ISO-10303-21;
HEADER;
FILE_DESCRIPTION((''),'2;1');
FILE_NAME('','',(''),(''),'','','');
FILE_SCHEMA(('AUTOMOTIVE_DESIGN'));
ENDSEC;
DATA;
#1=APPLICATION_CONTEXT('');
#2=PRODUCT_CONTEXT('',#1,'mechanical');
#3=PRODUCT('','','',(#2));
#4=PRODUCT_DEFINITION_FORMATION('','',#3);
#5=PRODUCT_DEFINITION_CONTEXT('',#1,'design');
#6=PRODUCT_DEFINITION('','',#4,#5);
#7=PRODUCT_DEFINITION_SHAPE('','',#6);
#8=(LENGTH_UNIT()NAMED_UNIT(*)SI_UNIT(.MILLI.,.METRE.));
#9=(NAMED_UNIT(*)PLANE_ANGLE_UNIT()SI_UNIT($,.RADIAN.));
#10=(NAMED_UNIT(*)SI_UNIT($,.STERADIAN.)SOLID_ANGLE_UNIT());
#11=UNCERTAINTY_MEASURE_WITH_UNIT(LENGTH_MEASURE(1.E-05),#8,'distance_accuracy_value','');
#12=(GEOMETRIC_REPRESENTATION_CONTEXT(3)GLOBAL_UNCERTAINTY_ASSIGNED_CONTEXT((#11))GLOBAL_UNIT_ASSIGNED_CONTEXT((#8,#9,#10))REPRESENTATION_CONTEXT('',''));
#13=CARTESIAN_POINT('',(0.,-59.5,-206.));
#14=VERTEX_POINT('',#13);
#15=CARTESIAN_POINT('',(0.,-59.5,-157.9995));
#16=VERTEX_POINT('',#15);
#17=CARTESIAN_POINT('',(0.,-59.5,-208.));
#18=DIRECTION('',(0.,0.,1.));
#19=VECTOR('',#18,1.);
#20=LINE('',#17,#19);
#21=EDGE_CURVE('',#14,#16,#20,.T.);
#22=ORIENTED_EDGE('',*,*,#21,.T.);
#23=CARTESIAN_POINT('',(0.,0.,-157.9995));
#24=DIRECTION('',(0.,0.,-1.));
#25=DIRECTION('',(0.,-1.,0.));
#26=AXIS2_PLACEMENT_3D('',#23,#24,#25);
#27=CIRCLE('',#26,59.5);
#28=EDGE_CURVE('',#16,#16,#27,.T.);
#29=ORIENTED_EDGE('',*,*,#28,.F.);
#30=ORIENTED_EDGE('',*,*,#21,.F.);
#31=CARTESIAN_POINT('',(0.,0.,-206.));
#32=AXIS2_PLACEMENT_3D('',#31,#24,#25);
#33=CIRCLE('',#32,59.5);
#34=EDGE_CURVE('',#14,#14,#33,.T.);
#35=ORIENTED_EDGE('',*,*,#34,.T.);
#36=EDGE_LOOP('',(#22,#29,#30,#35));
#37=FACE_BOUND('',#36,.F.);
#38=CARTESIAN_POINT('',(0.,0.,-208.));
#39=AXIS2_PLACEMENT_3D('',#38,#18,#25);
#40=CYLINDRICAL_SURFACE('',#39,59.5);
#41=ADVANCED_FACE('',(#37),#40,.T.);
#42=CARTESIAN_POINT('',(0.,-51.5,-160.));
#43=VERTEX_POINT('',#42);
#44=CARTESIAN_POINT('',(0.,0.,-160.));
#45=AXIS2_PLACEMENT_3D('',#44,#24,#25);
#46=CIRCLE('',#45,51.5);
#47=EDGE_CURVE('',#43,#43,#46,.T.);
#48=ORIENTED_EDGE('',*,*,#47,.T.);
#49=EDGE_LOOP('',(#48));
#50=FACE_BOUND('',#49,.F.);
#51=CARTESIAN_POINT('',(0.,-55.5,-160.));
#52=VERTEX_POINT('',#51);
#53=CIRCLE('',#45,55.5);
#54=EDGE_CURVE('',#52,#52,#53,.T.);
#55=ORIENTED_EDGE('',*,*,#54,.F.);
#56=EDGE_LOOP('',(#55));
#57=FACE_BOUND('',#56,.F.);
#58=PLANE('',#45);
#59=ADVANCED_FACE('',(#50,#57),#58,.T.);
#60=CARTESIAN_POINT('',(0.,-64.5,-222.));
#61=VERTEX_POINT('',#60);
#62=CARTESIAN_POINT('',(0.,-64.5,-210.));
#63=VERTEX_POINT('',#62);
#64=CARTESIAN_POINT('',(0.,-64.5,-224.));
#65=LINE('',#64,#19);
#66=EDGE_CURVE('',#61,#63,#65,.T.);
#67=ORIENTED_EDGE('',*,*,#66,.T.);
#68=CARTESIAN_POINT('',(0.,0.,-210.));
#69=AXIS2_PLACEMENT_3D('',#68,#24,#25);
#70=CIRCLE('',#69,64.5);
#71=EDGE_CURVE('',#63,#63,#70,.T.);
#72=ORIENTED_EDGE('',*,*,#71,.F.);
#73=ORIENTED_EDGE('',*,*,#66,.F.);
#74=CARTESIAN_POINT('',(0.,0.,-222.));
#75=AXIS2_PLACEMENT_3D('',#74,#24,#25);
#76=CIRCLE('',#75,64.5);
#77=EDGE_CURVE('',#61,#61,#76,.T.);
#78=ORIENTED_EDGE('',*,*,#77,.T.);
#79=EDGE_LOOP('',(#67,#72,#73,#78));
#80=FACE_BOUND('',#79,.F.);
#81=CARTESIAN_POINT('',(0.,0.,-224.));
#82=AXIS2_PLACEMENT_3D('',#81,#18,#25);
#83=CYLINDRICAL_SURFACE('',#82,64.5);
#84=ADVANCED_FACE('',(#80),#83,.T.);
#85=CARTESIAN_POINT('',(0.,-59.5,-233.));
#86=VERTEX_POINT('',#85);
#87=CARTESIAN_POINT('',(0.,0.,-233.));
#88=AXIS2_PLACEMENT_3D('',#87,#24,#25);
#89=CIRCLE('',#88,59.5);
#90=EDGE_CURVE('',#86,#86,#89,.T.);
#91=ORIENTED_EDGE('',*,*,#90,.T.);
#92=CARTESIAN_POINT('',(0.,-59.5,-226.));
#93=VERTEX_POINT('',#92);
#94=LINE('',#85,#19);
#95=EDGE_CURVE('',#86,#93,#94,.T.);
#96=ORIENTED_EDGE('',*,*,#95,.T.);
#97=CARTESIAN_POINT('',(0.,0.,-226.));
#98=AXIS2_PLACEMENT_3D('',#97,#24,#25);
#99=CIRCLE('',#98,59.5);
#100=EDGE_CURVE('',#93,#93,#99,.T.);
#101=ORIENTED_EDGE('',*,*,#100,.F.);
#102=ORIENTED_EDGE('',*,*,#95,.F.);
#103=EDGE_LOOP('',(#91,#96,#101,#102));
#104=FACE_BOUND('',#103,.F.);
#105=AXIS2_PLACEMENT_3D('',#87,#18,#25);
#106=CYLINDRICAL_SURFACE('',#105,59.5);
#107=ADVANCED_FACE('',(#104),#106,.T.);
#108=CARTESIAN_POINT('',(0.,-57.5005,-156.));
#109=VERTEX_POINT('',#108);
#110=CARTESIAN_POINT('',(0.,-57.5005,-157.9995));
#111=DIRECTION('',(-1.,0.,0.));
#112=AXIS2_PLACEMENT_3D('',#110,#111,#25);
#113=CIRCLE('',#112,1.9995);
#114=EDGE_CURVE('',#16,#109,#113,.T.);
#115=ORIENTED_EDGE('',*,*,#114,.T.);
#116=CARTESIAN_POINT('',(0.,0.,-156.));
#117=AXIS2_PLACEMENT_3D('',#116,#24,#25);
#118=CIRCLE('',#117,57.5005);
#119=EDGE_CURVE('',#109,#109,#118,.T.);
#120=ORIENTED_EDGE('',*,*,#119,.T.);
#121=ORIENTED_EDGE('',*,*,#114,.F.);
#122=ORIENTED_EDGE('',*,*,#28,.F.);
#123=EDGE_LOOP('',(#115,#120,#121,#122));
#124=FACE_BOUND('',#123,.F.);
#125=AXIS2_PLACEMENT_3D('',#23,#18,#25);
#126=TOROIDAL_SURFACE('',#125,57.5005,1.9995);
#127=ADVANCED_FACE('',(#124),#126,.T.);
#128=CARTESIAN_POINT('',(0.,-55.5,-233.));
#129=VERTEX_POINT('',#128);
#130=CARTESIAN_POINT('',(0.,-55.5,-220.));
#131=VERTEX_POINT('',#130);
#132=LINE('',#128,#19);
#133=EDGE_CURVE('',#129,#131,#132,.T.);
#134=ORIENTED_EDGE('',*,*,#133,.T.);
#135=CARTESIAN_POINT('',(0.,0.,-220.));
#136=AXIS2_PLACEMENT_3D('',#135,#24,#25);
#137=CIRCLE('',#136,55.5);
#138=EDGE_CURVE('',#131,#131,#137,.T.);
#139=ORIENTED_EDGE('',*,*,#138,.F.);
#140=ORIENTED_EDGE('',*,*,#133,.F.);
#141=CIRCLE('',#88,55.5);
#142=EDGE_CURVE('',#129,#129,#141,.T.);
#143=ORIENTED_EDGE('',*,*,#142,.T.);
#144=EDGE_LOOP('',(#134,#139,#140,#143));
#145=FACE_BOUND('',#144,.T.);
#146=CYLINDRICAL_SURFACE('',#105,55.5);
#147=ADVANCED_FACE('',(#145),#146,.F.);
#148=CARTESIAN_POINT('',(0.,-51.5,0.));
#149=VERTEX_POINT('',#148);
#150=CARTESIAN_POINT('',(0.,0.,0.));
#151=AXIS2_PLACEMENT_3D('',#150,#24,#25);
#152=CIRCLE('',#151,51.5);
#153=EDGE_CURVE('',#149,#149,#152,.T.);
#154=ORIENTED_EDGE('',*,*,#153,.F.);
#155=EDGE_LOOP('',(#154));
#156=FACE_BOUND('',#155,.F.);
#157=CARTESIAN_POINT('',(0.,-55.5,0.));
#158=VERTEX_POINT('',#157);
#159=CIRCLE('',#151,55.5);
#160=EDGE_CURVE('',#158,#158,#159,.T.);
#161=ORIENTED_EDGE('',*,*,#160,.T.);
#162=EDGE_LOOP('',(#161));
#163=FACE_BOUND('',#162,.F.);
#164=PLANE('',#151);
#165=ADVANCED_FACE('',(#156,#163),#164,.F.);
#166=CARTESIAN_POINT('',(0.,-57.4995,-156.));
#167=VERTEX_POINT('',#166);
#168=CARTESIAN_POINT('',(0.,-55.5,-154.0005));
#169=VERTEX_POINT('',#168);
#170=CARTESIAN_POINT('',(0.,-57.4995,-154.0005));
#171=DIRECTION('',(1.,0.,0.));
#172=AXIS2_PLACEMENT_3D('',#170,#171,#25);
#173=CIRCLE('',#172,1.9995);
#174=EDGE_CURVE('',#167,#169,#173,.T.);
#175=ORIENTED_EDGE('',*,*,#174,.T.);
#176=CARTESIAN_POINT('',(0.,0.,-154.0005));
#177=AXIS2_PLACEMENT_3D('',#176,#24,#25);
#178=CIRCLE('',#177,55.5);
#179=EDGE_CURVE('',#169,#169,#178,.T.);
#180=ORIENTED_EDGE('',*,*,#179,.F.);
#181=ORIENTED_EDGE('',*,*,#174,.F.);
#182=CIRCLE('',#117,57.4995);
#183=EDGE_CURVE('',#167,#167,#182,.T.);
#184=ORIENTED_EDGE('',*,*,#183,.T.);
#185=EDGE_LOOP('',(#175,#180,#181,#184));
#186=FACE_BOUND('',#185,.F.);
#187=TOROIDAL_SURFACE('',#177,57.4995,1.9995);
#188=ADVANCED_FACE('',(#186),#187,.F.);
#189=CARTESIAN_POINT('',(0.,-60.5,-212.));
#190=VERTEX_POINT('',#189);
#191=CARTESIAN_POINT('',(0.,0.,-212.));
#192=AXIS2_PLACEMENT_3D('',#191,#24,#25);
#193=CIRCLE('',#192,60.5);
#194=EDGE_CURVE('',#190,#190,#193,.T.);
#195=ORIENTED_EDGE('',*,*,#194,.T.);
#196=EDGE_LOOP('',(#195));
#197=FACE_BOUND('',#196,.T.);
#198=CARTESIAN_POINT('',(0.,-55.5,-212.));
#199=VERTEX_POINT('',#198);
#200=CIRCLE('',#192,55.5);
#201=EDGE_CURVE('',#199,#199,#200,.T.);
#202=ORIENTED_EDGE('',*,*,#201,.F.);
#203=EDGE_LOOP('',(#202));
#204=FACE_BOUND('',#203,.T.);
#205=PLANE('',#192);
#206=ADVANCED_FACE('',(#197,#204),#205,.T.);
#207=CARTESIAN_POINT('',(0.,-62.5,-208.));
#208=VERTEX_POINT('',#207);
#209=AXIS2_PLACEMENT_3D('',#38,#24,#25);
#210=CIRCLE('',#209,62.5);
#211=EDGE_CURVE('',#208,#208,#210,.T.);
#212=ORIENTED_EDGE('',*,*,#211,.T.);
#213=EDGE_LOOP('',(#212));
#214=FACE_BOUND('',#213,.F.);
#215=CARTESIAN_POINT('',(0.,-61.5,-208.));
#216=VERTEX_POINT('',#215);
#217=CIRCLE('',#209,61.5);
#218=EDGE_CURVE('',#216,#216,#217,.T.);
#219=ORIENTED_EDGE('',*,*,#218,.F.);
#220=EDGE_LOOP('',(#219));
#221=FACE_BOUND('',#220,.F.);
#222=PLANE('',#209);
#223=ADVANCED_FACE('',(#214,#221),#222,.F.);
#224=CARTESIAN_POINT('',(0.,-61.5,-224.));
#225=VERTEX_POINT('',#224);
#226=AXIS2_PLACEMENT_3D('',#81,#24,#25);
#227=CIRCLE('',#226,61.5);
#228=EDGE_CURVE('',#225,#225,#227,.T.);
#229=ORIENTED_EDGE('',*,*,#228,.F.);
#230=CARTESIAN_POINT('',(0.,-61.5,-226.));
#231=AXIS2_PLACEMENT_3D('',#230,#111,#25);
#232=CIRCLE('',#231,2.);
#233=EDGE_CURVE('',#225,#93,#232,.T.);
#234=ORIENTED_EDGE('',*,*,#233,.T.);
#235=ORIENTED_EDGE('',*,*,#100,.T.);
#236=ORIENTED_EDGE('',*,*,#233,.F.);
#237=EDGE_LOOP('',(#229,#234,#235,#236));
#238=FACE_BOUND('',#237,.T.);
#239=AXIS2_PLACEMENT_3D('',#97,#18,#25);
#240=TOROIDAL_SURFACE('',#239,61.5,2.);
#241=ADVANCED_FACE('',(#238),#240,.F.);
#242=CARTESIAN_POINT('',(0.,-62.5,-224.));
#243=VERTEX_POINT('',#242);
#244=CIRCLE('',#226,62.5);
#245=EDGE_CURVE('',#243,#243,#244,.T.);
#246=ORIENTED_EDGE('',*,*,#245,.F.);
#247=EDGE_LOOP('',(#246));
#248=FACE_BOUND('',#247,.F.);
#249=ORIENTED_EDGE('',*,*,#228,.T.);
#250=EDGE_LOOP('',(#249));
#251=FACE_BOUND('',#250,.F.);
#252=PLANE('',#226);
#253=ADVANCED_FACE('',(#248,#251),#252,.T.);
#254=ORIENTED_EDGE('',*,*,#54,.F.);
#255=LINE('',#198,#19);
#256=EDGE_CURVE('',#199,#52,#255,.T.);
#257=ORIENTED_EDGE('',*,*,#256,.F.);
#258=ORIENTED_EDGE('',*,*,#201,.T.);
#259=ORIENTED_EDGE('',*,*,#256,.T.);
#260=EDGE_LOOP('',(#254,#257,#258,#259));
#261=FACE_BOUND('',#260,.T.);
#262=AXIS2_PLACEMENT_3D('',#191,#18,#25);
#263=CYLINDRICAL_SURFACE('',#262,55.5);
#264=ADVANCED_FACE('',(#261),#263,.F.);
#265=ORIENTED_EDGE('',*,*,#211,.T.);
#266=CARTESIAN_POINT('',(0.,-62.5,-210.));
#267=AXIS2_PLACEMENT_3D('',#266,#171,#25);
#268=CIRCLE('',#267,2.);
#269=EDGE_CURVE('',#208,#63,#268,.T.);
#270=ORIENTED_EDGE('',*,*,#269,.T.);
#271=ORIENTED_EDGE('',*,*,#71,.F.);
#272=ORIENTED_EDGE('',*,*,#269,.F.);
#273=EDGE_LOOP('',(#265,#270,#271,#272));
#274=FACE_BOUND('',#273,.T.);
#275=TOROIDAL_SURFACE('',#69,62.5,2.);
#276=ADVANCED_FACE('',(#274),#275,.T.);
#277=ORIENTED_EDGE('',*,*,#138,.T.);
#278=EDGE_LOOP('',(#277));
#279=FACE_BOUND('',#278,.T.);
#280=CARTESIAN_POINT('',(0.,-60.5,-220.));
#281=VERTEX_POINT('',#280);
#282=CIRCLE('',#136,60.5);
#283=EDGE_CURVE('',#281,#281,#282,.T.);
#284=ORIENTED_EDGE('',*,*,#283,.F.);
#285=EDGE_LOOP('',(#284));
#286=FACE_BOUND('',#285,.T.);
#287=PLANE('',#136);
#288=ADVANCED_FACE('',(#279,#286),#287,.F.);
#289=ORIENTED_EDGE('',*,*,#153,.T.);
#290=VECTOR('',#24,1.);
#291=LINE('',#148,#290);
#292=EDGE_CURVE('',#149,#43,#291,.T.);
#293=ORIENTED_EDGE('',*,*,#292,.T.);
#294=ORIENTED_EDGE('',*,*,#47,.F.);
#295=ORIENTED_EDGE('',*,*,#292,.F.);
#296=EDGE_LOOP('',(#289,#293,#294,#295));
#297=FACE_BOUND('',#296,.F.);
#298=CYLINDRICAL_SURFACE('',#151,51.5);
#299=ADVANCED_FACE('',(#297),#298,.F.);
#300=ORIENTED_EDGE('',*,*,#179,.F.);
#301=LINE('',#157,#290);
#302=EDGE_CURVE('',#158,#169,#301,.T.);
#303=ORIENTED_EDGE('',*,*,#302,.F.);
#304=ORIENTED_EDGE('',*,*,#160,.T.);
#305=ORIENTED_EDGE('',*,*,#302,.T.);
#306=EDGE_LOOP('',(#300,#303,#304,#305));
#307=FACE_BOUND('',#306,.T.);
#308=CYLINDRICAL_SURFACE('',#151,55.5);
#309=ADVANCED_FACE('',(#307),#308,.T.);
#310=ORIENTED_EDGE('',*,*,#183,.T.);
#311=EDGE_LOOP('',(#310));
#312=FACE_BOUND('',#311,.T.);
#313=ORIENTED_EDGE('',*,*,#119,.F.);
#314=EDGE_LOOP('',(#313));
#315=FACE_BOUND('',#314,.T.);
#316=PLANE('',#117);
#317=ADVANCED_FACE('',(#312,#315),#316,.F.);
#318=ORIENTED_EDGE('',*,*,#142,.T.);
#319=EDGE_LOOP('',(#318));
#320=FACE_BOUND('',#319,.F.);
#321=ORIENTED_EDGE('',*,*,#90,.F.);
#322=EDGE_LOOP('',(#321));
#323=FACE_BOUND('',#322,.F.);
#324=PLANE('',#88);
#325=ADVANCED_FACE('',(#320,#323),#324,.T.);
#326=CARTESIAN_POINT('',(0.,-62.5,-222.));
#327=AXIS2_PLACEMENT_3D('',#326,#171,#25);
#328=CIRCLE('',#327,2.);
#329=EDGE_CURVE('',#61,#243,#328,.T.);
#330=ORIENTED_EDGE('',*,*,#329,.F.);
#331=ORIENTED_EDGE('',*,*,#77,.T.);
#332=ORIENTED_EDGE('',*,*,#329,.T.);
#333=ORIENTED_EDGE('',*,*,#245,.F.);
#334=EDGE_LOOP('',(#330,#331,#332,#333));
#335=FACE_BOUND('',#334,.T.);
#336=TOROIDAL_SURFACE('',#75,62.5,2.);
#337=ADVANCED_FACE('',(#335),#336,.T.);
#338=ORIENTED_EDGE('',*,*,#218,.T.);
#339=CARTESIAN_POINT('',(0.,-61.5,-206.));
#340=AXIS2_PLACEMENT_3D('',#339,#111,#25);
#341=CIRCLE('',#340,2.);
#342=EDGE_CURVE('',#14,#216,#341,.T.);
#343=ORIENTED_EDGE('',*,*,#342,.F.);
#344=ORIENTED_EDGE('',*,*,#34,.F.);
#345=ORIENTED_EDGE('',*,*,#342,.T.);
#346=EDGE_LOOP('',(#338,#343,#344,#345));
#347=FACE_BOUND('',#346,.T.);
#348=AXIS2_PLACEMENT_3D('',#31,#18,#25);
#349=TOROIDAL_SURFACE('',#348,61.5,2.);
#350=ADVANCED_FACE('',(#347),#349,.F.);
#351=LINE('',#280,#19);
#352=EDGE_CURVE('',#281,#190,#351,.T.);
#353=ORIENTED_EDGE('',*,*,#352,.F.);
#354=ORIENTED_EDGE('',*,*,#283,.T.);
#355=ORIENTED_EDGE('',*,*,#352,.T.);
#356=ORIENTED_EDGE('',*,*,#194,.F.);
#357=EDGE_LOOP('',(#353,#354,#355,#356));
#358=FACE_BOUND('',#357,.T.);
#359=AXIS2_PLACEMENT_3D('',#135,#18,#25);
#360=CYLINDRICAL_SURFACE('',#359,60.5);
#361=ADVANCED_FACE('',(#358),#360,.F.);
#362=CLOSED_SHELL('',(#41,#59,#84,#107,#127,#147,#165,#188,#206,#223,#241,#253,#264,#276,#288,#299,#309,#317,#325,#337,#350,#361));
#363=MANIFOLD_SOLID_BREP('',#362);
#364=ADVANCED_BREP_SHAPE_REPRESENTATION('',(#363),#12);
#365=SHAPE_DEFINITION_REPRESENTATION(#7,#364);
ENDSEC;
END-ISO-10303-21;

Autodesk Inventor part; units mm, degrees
ref_plane "YZ Plane" through (0, 0, 0) normal (1, 0, 0) x (0, 1, 0)
ref_plane "XZ Plane" through (0, 0, 0) normal (0, 1, 0) x (-1, 0, 0)
ref_plane "XY Plane" through (0, 0, 0) normal (0, 0, 1) x (1, 0, 0)
sketch "Sketch2" plane through (0, 0, 0) normal (1, 0, 0) x (0, 1, 0)
  line L0 (-51.5, 0) -> (-51.5, -160)
  line L1 (-51.5, -160) -> (-55.5, -160)
  line L2 (0, 0) -> (0, -206.7356) construction
  line L3 (-77.4, 0) -> (12.9, 0) construction
  line L4 (-55.5, 0) -> (-55.5, -156)
  line L5 (-55.5, -156) -> (-59.5, -156)
  line L6 (-59.5, -233) -> (-59.5, -224)
  line L7 (-59.5, -224) -> (-64.5, -224)
  line L8 (-64.5, -224) -> (-64.5, -208)
  line L9 (-64.5, -208) -> (-59.5, -208)
  line L10 (-59.5, -208) -> (-59.5, -156)
  line L11 (-55.5, -233) -> (-59.5, -233)
  line L12 (-55.5, -233) -> (-55.5, -220)
  line L13 (-55.5, -220) -> (-60.5, -220)
  line L14 (-60.5, -220) -> (-60.5, -212)
  line L15 (-60.5, -212) -> (-55.5, -212)
  line L16 (-55.5, -212) -> (-55.5, -160)
  line L17 (-55.5, 0) -> (-51.5, 0)
  dimension "d4" = 160
  dimension "d6" = 73
  dimension "d7" = 103
  dimension "d9" = 4
  dimension "d11" = 4
  dimension "d12" = 9
  dimension "d13" = 5
  dimension "d14" = 16
  dimension "d16" = 4
  dimension "d17" = 4
  dimension "d18" = 4
  dimension "d19" = 4
  dimension "d20" = 111
revolve "Revolution1" add sketch "Sketch2" angle 360 about axis through (0, 0, 0) along (0, 0, -1)
fillet "Fillet1" radius 2 2 edges at (0, 55.5, -156) (0, 59.5, -156)
fillet "Fillet2" radius 2 4 edges at (0, 64.5, -208) (0, 59.5, -208) (0, 64.5, -224) (0, 59.5, -224)
equation "\"d11\" = d9"
equation "\"d16\" = d11"
equation "\"d17\" = d11"
equation "\"d18\" = d16"
equation "\"d19\" = d16"
properties part number "hullPipe" material "PVC-Piping"
